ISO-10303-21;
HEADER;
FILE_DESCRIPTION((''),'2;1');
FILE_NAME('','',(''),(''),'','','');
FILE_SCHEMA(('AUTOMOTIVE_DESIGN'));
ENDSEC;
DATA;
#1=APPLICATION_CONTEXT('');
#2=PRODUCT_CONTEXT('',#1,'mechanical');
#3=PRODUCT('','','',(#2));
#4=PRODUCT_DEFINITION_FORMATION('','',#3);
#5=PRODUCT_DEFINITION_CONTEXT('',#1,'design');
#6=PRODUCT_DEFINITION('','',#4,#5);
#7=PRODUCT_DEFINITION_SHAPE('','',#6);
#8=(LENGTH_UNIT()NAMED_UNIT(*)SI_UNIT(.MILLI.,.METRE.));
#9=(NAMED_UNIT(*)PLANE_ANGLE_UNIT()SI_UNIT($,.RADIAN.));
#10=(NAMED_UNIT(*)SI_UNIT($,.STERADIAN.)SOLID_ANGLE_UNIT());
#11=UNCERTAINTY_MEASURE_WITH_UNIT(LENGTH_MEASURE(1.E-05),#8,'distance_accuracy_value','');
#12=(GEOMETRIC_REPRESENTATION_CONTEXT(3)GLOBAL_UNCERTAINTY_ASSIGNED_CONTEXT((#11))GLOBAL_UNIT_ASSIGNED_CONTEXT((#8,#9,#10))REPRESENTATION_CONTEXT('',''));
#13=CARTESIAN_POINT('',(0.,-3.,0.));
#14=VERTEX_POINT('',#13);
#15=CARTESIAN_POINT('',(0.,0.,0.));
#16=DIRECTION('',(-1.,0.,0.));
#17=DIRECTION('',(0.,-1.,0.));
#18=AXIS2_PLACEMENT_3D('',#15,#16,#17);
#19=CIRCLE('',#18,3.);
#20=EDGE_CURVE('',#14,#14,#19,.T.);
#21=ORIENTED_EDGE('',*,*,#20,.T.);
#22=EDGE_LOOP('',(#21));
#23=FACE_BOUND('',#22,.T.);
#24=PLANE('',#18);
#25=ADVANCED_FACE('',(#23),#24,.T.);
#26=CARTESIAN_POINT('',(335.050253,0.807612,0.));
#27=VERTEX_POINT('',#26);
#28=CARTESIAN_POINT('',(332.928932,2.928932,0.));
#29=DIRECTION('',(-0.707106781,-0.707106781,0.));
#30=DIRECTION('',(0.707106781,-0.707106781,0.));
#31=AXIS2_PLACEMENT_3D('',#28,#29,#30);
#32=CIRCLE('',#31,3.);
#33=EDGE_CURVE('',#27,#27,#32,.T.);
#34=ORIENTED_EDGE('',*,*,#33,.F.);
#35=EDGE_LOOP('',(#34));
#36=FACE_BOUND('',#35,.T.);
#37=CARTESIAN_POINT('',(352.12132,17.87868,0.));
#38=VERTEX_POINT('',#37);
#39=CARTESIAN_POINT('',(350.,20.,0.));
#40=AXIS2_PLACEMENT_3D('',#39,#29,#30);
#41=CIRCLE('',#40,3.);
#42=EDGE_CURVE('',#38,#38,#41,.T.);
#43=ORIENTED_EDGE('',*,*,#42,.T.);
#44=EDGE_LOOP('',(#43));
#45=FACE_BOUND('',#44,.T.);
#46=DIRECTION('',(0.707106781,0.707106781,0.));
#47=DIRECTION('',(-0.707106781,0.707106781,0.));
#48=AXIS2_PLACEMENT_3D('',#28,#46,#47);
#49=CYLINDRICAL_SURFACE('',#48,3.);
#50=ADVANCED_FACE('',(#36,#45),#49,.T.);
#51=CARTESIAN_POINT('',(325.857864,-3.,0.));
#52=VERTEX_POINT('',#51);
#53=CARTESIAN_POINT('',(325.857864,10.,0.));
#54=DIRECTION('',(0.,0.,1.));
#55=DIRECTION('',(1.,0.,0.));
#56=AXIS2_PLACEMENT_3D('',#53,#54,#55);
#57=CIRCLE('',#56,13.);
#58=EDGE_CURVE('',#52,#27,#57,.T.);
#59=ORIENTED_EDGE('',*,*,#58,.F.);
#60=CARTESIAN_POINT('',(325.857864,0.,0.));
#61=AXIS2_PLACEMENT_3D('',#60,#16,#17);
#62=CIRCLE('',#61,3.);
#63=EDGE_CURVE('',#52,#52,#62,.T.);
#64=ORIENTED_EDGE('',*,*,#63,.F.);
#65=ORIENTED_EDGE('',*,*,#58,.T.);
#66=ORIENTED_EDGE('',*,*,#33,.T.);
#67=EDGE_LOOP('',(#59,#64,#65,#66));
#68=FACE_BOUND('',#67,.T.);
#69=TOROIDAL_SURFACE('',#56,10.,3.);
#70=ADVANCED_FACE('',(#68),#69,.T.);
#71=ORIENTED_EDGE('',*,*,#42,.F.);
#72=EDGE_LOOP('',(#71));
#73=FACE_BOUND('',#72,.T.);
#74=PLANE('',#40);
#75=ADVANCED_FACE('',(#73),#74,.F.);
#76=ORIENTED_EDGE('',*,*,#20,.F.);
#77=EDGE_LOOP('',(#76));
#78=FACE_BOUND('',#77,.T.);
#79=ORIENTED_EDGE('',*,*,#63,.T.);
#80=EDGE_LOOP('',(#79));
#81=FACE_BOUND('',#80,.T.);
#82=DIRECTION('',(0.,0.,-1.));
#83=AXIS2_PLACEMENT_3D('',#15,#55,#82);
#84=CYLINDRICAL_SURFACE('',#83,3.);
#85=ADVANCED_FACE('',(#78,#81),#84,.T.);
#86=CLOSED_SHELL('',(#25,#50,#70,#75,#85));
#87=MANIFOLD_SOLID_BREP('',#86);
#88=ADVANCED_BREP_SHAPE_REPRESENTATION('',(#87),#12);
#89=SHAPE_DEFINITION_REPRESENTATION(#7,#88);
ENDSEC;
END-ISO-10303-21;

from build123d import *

# Parameters (mm, degrees)
SWEEP_1_PROFILE_R = 3


with BuildPart() as part:
    # По траектории1: sweep along a path in Эскиз17
    with BuildLine(Plane.XY) as sweep_1_path:
        Line((0, 0), (325.857864376, 0))
        ThreePointArc((325.857864376, 0), (329.6846987, 0.761204675), (332.928932188, 2.928932188))
        Line((332.928932188, 2.928932188), (350, 20))
    # По траектории1 profile (on start of the path) → По траектории1 (sweep)
    with BuildSketch(Plane(origin=(0, 0, 0), x_dir=(0, 0, 1), z_dir=(1, 0, 0))):
        Circle(SWEEP_1_PROFILE_R)
    sweep(path=sweep_1_path.line)


solid = part.part
